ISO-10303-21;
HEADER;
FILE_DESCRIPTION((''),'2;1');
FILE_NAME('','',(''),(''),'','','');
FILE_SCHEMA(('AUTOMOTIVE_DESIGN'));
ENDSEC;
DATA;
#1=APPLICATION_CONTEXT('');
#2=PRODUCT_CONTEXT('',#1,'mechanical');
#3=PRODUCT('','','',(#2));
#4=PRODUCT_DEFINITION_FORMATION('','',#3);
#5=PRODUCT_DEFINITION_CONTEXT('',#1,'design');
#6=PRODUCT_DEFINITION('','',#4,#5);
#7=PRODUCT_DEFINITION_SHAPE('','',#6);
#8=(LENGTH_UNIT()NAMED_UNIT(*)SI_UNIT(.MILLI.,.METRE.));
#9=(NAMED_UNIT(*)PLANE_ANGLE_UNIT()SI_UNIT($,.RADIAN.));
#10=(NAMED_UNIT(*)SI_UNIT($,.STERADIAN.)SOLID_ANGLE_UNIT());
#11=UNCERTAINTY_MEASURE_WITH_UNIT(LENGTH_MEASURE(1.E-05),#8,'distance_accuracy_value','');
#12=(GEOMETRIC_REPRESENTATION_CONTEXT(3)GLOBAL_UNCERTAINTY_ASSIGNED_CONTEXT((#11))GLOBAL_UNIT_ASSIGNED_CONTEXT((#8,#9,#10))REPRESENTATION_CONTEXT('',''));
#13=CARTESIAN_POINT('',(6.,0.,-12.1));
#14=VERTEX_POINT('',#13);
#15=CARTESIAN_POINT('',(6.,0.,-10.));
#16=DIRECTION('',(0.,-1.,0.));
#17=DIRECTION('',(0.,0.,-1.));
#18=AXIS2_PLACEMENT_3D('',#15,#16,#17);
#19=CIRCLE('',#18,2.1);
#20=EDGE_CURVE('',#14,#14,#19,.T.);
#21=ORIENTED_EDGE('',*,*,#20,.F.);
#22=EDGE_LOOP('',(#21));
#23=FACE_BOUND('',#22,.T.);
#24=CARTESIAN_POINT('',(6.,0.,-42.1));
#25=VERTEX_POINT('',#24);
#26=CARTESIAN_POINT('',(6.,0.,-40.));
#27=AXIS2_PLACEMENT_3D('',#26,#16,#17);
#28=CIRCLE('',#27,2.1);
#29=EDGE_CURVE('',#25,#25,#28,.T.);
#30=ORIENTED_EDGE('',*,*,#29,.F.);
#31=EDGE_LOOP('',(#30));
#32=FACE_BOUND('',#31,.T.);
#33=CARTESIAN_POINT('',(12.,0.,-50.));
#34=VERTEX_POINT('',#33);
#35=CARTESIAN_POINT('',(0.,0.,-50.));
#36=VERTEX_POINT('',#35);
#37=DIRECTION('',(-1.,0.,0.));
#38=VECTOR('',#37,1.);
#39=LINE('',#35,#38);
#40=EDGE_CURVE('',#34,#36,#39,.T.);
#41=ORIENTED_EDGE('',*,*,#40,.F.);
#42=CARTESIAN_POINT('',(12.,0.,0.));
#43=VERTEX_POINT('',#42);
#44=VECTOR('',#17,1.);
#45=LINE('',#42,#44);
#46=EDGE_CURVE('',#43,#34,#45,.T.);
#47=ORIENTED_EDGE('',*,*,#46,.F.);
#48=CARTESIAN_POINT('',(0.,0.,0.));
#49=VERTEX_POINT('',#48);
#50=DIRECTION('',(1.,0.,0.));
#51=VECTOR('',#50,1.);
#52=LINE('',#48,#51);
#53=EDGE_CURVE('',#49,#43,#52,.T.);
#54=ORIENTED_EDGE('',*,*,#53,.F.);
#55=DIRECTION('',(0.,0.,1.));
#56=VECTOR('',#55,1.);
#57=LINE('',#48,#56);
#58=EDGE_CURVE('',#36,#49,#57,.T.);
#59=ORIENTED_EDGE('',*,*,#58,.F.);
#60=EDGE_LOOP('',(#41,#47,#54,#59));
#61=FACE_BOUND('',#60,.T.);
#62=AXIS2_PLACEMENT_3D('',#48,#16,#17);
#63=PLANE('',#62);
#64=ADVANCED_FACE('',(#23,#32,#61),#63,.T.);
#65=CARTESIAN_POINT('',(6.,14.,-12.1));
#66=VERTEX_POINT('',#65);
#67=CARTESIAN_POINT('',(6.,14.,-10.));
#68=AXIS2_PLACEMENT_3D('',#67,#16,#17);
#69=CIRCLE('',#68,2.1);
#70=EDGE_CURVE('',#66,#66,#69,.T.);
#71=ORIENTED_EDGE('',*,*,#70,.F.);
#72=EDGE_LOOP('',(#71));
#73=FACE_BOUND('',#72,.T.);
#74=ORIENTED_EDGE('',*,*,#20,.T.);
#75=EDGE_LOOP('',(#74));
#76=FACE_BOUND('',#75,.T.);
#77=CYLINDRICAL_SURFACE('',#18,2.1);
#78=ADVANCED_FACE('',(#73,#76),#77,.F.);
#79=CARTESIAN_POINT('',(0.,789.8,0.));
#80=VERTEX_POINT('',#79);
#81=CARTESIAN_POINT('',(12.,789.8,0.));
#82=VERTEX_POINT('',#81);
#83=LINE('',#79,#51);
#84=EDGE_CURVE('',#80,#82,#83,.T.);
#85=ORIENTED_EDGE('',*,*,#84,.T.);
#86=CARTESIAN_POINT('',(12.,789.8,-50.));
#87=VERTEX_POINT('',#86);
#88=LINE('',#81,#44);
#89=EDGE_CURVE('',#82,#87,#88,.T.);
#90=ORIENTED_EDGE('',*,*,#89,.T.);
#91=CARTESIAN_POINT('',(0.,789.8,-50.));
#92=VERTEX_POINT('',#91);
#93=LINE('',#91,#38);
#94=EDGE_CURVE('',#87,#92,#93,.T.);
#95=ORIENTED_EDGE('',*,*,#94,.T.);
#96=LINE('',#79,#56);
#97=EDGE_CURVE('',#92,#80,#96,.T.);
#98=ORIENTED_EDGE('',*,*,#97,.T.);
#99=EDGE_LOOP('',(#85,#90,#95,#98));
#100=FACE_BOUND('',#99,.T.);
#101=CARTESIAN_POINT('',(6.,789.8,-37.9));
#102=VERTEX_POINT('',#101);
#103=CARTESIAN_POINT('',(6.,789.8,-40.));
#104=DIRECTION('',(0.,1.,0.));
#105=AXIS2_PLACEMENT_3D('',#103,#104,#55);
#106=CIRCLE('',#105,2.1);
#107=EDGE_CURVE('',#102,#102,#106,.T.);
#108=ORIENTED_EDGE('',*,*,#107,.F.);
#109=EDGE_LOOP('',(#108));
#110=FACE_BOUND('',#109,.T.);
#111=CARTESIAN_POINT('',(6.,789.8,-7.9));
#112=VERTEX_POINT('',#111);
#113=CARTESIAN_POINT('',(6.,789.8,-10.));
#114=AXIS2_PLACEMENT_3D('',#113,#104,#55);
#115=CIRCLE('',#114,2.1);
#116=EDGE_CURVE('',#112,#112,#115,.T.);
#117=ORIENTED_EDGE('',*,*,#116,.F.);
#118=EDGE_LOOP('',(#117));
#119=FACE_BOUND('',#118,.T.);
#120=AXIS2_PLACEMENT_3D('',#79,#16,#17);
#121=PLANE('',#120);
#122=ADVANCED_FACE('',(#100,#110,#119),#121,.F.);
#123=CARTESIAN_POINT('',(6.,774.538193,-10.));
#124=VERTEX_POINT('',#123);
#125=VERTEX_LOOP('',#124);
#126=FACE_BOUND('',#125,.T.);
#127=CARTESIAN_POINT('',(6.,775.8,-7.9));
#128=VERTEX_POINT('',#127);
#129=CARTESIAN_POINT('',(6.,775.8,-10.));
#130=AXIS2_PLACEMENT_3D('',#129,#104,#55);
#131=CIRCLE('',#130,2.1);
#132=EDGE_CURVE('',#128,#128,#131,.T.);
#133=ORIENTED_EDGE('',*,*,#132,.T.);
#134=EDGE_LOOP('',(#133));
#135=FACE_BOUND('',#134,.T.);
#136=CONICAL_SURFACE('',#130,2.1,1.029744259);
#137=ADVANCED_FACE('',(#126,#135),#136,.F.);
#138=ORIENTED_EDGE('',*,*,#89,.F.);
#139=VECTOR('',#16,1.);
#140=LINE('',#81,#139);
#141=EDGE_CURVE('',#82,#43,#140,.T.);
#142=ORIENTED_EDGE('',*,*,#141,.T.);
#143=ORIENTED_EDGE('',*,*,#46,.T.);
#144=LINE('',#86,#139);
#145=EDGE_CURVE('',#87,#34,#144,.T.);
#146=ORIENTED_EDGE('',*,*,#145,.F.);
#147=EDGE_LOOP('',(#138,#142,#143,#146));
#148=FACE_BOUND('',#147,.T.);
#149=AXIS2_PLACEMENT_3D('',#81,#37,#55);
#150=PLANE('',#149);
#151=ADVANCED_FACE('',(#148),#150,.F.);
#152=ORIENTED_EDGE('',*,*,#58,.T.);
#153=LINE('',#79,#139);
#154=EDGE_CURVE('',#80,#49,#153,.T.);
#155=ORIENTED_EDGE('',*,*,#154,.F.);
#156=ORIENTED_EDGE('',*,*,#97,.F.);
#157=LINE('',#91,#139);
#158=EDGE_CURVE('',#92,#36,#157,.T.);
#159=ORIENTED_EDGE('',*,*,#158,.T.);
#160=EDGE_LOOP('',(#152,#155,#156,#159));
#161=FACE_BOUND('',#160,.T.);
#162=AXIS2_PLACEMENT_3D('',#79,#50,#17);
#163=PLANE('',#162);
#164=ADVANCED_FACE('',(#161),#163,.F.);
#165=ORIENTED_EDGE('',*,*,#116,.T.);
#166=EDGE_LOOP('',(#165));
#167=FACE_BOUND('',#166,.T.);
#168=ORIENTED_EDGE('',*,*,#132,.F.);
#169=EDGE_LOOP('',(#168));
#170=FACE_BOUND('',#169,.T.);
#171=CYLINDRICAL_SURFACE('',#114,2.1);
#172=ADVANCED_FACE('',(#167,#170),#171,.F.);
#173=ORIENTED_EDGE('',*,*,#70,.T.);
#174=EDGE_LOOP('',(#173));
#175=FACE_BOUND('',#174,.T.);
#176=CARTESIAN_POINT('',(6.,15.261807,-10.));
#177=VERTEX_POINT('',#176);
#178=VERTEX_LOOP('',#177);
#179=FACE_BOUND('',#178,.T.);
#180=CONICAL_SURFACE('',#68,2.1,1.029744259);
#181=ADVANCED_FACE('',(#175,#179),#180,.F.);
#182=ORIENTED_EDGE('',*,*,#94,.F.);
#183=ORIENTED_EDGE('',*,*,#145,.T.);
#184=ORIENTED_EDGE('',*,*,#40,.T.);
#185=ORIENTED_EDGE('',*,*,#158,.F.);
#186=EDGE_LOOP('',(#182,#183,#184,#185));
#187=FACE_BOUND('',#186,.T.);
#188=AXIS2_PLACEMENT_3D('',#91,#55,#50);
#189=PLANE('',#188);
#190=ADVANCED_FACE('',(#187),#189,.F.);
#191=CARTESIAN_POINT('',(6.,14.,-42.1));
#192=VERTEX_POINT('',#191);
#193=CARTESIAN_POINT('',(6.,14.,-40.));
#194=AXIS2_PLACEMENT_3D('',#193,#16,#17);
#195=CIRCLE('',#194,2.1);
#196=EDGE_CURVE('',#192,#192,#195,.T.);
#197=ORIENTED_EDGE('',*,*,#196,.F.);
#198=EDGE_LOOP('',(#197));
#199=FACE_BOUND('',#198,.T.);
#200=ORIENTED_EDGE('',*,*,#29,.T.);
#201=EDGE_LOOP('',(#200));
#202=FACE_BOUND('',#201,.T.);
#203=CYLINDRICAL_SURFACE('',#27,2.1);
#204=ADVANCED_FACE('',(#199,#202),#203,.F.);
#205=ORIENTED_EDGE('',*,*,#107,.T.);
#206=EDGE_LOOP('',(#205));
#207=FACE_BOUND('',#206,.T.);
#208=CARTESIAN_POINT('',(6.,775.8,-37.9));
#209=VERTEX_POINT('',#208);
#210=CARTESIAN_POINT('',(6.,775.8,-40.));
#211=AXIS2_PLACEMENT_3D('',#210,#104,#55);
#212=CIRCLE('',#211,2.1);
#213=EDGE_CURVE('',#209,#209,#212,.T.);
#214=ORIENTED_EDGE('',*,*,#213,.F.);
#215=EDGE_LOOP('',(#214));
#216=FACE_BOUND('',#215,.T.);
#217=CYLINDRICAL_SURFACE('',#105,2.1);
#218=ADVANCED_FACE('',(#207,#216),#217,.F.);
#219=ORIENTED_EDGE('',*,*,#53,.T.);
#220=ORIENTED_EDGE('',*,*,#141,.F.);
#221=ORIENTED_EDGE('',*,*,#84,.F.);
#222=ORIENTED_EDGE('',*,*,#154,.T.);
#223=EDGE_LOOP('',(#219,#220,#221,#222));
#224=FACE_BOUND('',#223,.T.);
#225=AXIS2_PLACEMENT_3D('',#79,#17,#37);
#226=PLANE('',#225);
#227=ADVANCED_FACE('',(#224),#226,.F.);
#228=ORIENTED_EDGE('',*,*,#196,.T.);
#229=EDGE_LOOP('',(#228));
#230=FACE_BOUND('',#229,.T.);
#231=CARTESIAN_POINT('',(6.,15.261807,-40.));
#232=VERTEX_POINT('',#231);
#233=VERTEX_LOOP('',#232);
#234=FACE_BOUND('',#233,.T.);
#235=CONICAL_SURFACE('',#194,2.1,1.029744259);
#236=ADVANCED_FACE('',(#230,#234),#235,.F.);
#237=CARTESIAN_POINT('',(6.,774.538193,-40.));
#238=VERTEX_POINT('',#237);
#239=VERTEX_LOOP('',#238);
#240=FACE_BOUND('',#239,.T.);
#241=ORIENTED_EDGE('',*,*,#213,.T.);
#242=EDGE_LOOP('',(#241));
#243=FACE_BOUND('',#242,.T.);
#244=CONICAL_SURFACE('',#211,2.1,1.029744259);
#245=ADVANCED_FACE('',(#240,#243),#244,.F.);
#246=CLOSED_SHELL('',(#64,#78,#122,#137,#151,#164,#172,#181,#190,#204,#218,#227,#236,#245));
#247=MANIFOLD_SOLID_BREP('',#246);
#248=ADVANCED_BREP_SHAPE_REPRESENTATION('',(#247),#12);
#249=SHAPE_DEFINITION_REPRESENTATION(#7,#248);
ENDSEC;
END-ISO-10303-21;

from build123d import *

# Parameters (mm, degrees)
SKETCH1_W                             = 12
SKETCH1_H                             = 50
BASE_DEPTH                            = 789.8
END_BOLT_HOLES_FOR_INSERTS_AT_2_COUNT = 2
END_BOLT_HOLES_FOR_INSERTS_AT_2_PITCH = 30


with BuildPart() as part:
    # Sketch1 → base (new body)
    with BuildSketch(Plane(origin=(0, 0, 0), x_dir=(1, 0, 0), z_dir=(0, 1, 0))):
        with Locations((6, 25)):
            Rectangle(SKETCH1_W, SKETCH1_H)
    extrude(amount=BASE_DEPTH)

    # Sketch3 → end bolt holes for inserts (revolve, cut)
    with BuildSketch(Plane(origin=(6, 0, -40), x_dir=(0, 0, -1), z_dir=(1, 0, 0))):
        Polygon((0, 0), (0, 15.2618073), (2.1, 14), (2.1, 0), align=None)
    end_bolt_holes_for_inserts = revolve(axis=Axis((6, -6.35, -40), (0, 1, 0)), mode=Mode.SUBTRACT)

    # end bolt holes for inserts at 2: end bolt holes for inserts ×2
    with Locations(*[(0, 0, i * END_BOLT_HOLES_FOR_INSERTS_AT_2_PITCH) for i in range(1, END_BOLT_HOLES_FOR_INSERTS_AT_2_COUNT)]):
        add(end_bolt_holes_for_inserts, mode=Mode.SUBTRACT)

    # mirror end bolt holes: end bolt holes for inserts across plane
    add(end_bolt_holes_for_inserts.mirror(Plane(origin=(0, 394.9, 0), x_dir=(0, 0, 1), z_dir=(0, -1, 0))), mode=Mode.SUBTRACT)

    # mirror end bolt holes copy 1 sketch → mirror end bolt holes copy 1 (revolve, cut)
    with BuildSketch(Plane(origin=(6, 789.8, -10), x_dir=(0, 0, -1), z_dir=(1, 0, 0))):
        Polygon((0, 0), (0, -15.2618073), (2.1, -14), (2.1, 0), align=None)
    revolve(axis=Axis((6, 796.15, -10), (0, 1, 0)), mode=Mode.SUBTRACT)


solid = part.part
